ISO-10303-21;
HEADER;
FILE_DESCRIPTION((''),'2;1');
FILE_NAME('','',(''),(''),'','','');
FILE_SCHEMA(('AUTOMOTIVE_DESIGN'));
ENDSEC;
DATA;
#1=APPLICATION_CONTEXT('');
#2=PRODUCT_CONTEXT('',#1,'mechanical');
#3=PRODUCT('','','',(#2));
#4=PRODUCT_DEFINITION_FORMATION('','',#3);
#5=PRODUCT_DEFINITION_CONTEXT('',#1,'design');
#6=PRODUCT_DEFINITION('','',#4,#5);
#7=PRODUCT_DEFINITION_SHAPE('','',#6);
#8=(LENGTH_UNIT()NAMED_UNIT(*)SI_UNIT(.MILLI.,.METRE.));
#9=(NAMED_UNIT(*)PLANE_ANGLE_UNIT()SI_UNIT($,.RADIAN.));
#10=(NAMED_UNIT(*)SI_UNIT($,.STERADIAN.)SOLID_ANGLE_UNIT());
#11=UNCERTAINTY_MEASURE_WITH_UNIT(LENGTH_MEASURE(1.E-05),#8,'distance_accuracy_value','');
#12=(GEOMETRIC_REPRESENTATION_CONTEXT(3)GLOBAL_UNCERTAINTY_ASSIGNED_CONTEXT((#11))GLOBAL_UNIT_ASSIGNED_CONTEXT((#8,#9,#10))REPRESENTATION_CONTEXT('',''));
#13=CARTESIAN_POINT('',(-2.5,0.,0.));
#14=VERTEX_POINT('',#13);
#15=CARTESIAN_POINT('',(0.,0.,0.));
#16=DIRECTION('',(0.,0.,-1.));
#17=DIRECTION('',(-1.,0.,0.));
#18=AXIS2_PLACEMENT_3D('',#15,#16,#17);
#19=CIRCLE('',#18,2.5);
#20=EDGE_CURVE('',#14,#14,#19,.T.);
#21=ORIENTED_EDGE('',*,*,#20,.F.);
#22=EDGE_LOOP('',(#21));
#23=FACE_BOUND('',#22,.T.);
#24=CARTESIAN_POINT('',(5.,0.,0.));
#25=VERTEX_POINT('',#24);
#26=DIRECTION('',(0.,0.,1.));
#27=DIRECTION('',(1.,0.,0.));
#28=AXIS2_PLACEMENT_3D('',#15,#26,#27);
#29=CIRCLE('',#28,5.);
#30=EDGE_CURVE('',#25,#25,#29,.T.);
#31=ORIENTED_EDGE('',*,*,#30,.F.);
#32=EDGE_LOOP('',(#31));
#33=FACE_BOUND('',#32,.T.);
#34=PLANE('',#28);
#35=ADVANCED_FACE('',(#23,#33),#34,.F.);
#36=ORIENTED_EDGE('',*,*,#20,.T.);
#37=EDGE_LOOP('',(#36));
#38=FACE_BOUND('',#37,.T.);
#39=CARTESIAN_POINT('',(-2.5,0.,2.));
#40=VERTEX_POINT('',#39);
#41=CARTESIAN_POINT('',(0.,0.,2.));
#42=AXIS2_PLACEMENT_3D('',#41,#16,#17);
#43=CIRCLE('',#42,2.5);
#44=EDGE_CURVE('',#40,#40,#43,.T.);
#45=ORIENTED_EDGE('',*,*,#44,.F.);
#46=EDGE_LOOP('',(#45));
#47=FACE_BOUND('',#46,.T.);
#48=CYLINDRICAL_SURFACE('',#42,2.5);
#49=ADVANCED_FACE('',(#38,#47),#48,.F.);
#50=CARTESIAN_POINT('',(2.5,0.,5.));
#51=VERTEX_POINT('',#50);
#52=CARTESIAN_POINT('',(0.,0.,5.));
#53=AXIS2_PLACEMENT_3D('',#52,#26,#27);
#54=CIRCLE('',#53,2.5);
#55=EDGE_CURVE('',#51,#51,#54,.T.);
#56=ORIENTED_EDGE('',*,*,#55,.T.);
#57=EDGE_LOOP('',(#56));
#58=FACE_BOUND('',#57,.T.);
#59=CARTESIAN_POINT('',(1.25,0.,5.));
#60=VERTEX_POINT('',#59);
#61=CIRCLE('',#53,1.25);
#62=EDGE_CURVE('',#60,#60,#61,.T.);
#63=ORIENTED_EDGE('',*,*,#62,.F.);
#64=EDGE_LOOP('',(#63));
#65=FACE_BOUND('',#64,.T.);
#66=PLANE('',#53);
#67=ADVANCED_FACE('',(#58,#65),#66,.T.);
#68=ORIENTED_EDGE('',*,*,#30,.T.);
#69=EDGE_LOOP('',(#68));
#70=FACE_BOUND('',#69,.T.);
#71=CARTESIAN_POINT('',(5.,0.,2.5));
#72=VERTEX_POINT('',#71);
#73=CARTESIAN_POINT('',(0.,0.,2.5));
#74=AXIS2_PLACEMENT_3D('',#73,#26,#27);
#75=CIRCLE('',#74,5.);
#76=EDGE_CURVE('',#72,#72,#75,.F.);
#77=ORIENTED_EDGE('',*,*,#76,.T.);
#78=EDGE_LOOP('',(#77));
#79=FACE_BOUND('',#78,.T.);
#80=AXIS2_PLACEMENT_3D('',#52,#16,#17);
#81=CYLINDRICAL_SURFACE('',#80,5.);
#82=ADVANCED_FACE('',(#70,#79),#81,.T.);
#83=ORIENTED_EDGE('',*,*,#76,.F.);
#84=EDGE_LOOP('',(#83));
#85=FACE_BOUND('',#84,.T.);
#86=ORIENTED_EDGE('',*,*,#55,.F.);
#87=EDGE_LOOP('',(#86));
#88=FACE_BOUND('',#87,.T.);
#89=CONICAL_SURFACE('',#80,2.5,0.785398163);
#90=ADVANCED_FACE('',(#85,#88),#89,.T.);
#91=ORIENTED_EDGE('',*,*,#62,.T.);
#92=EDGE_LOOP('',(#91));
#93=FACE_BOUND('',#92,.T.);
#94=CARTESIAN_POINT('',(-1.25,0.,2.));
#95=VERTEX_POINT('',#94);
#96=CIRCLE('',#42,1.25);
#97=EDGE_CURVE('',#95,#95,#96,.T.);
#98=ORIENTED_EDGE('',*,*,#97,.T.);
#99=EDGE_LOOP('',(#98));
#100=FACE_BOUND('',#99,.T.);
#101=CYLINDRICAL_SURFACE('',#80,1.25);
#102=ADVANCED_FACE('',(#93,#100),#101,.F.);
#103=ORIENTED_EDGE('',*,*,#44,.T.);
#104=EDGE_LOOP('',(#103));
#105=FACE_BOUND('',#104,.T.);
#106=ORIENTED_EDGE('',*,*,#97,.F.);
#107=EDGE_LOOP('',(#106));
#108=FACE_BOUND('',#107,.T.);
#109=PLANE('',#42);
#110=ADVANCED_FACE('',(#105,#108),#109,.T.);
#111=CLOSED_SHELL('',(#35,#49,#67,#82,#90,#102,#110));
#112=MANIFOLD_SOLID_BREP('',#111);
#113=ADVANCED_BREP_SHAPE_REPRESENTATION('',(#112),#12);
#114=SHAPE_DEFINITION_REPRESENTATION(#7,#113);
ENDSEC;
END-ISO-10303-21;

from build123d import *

# Parameters (mm, degrees)
SKETCH1_R           = 5
SKETCH1_R_2         = 1.25
BOSS_EXTRUDE1_DEPTH = 5
CHAMFER1_SIZE       = 2.5
SKETCH2_R           = 2.5
CUT_EXTRUDE1_DEPTH  = 2


with BuildPart() as part:
    # Sketch1 → Boss-Extrude1 (new body)
    with BuildSketch(Plane.XY):
        Circle(SKETCH1_R)
        Circle(SKETCH1_R_2, mode=Mode.SUBTRACT)
    extrude(amount=BOSS_EXTRUDE1_DEPTH)

    # Chamfer1
    chamfer1_edges = [part.edges().sort_by_distance(p)[0] for p in [
        (-5, 0, 5),
    ]]
    chamfer(chamfer1_edges, length=CHAMFER1_SIZE)

    # Sketch2 → Cut-Extrude1 (cut)
    with BuildSketch(Plane(origin=(0, 0, 0), x_dir=(-1, 0, 0), z_dir=(0, 0, -1))):
        Circle(SKETCH2_R)
    extrude(amount=-CUT_EXTRUDE1_DEPTH, mode=Mode.SUBTRACT)


solid = part.part
